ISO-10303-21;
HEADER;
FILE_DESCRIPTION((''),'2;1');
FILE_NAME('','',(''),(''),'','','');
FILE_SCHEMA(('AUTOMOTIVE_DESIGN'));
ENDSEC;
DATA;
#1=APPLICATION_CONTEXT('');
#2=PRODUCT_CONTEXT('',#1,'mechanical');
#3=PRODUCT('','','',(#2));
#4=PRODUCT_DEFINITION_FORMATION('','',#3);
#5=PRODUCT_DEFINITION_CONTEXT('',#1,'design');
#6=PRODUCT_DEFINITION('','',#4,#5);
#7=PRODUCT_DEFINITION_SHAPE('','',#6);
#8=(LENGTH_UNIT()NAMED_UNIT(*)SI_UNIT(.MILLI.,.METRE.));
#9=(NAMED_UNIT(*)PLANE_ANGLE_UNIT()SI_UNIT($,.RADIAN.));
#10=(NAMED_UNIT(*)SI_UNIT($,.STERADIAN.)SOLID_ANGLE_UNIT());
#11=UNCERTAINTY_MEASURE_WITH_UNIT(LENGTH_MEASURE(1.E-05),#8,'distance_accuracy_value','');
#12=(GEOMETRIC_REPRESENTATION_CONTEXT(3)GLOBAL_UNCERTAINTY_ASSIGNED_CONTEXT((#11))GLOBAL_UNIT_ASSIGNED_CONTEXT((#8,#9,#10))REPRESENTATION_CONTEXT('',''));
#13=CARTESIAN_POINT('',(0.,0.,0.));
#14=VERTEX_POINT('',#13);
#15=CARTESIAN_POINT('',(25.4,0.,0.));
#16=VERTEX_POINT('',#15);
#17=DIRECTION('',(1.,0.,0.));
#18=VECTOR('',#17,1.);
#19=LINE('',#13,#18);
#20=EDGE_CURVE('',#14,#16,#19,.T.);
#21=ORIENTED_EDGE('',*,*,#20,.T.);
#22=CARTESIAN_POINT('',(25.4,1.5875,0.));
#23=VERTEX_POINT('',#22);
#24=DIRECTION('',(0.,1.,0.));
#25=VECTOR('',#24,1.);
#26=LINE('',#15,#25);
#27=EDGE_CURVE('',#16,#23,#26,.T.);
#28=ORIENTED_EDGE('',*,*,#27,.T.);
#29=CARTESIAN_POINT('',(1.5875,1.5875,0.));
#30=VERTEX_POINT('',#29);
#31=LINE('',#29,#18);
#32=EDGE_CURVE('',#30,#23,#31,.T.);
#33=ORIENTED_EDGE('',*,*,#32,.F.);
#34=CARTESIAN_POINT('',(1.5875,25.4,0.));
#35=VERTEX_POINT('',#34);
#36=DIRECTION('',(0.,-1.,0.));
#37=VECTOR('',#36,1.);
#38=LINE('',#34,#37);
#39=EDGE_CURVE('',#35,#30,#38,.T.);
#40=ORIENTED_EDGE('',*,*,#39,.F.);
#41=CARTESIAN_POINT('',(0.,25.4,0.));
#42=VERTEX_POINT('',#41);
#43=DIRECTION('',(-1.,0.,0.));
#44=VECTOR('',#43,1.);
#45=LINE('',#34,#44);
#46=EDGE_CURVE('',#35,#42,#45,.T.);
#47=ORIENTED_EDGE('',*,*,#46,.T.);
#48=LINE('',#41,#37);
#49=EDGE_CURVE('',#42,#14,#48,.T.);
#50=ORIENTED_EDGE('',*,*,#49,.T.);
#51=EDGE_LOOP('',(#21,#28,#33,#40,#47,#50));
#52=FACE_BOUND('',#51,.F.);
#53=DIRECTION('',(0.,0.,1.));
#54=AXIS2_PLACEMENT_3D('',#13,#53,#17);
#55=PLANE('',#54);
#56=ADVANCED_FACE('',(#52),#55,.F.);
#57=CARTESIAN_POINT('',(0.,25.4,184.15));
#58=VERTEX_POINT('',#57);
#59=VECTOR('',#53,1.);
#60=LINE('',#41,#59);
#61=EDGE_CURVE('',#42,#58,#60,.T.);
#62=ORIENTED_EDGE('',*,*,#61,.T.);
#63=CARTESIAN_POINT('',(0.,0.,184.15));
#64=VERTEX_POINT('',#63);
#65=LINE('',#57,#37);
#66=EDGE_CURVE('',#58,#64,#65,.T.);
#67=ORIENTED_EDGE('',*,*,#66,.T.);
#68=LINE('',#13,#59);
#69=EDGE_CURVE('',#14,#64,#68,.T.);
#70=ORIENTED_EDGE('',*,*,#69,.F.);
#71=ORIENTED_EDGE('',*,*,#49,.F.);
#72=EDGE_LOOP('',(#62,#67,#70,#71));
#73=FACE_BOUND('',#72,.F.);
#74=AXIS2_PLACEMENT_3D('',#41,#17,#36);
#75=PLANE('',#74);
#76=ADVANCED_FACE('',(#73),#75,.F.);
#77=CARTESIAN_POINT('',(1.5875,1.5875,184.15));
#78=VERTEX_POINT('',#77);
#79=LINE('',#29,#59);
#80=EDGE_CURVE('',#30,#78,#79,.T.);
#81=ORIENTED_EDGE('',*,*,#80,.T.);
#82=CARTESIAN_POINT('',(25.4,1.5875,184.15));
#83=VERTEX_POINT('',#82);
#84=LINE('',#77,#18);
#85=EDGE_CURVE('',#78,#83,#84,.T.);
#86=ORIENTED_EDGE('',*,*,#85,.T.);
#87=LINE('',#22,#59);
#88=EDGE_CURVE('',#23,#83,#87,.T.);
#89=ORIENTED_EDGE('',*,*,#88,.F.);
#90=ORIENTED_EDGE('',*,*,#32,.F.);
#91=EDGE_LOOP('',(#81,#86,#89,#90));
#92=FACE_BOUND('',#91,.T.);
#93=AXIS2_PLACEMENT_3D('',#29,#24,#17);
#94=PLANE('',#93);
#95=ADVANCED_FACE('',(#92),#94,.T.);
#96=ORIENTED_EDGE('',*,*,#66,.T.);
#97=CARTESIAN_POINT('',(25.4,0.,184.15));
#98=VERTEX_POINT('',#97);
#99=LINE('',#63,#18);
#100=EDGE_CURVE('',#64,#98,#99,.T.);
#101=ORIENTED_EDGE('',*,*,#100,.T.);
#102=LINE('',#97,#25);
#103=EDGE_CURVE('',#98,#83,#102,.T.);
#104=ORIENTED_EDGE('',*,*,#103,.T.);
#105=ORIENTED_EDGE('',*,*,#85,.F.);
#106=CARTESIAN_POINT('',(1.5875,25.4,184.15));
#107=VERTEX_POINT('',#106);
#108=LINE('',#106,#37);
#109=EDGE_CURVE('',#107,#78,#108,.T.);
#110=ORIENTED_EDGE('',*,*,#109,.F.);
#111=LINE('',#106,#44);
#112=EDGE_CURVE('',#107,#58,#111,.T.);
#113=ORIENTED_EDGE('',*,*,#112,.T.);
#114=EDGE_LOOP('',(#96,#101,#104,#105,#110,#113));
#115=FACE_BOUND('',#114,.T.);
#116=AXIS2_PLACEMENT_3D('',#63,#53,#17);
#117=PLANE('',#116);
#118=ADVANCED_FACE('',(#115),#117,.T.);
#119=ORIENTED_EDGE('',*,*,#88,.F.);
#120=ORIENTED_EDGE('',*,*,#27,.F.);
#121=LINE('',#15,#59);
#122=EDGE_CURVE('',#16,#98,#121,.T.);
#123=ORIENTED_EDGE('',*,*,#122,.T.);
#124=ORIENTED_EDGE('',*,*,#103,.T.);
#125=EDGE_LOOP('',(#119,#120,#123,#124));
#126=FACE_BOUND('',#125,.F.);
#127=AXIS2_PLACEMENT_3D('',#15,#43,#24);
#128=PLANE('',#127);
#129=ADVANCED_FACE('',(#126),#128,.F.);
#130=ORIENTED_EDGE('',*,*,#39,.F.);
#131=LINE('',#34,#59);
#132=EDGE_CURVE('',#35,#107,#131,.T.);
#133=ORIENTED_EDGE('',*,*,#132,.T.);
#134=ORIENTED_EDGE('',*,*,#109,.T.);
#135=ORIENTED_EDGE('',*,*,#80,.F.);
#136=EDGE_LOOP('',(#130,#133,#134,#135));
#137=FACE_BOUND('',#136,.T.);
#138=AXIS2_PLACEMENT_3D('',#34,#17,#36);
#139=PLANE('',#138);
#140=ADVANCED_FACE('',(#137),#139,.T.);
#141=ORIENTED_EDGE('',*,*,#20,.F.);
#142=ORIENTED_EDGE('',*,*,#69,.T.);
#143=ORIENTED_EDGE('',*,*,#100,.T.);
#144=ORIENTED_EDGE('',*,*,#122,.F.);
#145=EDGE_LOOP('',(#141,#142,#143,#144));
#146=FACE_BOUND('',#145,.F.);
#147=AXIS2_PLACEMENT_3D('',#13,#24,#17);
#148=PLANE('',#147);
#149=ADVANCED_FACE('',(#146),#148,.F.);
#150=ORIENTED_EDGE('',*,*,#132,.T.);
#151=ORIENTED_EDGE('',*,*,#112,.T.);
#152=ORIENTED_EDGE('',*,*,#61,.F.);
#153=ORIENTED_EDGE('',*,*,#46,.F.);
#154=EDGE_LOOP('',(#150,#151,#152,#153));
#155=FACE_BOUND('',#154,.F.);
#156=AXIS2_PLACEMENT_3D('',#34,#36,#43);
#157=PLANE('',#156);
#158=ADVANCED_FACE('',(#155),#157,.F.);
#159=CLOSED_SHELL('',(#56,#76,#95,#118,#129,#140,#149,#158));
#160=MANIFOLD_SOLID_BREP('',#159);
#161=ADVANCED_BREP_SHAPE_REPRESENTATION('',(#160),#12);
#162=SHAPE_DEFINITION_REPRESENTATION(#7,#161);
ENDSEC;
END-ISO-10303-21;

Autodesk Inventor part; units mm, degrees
ref_plane "YZ Plane" through (0, 0, 0) normal (1, 0, 0) x (0, 1, 0)
ref_plane "XZ Plane" through (0, 0, 0) normal (0, 1, 0) x (-1, 0, 0)
ref_plane "XY Plane" through (0, 0, 0) normal (0, 0, 1) x (1, 0, 0)
sketch "Sketch1" plane through (0, 0, 0) normal (0, 0, 1) x (1, 0, 0)
  line L0 (0, 0) -> (25.4, 0)
  line L1 (25.4, 0) -> (25.4, 1.5875)
  line L2 (1.5875, 25.4) -> (0, 25.4)
  line L3 (0, 25.4) -> (0, 0)
  line L4 (1.5875, 25.4) -> (1.5875, 1.5875)
  line L5 (1.5875, 1.5875) -> (25.4, 1.5875)
  dimension "d0" = 1.5875
  dimension "d1" = 1.5875
  dimension "d2" = 25.4
  dimension "d3" = 25.4
extrude "Extrusion1" add sketch "Sketch1" along normal blind 184.15
equation "\"d0\" = d1"
equation "\"d2\" = d3"
properties part number "battery side L"
